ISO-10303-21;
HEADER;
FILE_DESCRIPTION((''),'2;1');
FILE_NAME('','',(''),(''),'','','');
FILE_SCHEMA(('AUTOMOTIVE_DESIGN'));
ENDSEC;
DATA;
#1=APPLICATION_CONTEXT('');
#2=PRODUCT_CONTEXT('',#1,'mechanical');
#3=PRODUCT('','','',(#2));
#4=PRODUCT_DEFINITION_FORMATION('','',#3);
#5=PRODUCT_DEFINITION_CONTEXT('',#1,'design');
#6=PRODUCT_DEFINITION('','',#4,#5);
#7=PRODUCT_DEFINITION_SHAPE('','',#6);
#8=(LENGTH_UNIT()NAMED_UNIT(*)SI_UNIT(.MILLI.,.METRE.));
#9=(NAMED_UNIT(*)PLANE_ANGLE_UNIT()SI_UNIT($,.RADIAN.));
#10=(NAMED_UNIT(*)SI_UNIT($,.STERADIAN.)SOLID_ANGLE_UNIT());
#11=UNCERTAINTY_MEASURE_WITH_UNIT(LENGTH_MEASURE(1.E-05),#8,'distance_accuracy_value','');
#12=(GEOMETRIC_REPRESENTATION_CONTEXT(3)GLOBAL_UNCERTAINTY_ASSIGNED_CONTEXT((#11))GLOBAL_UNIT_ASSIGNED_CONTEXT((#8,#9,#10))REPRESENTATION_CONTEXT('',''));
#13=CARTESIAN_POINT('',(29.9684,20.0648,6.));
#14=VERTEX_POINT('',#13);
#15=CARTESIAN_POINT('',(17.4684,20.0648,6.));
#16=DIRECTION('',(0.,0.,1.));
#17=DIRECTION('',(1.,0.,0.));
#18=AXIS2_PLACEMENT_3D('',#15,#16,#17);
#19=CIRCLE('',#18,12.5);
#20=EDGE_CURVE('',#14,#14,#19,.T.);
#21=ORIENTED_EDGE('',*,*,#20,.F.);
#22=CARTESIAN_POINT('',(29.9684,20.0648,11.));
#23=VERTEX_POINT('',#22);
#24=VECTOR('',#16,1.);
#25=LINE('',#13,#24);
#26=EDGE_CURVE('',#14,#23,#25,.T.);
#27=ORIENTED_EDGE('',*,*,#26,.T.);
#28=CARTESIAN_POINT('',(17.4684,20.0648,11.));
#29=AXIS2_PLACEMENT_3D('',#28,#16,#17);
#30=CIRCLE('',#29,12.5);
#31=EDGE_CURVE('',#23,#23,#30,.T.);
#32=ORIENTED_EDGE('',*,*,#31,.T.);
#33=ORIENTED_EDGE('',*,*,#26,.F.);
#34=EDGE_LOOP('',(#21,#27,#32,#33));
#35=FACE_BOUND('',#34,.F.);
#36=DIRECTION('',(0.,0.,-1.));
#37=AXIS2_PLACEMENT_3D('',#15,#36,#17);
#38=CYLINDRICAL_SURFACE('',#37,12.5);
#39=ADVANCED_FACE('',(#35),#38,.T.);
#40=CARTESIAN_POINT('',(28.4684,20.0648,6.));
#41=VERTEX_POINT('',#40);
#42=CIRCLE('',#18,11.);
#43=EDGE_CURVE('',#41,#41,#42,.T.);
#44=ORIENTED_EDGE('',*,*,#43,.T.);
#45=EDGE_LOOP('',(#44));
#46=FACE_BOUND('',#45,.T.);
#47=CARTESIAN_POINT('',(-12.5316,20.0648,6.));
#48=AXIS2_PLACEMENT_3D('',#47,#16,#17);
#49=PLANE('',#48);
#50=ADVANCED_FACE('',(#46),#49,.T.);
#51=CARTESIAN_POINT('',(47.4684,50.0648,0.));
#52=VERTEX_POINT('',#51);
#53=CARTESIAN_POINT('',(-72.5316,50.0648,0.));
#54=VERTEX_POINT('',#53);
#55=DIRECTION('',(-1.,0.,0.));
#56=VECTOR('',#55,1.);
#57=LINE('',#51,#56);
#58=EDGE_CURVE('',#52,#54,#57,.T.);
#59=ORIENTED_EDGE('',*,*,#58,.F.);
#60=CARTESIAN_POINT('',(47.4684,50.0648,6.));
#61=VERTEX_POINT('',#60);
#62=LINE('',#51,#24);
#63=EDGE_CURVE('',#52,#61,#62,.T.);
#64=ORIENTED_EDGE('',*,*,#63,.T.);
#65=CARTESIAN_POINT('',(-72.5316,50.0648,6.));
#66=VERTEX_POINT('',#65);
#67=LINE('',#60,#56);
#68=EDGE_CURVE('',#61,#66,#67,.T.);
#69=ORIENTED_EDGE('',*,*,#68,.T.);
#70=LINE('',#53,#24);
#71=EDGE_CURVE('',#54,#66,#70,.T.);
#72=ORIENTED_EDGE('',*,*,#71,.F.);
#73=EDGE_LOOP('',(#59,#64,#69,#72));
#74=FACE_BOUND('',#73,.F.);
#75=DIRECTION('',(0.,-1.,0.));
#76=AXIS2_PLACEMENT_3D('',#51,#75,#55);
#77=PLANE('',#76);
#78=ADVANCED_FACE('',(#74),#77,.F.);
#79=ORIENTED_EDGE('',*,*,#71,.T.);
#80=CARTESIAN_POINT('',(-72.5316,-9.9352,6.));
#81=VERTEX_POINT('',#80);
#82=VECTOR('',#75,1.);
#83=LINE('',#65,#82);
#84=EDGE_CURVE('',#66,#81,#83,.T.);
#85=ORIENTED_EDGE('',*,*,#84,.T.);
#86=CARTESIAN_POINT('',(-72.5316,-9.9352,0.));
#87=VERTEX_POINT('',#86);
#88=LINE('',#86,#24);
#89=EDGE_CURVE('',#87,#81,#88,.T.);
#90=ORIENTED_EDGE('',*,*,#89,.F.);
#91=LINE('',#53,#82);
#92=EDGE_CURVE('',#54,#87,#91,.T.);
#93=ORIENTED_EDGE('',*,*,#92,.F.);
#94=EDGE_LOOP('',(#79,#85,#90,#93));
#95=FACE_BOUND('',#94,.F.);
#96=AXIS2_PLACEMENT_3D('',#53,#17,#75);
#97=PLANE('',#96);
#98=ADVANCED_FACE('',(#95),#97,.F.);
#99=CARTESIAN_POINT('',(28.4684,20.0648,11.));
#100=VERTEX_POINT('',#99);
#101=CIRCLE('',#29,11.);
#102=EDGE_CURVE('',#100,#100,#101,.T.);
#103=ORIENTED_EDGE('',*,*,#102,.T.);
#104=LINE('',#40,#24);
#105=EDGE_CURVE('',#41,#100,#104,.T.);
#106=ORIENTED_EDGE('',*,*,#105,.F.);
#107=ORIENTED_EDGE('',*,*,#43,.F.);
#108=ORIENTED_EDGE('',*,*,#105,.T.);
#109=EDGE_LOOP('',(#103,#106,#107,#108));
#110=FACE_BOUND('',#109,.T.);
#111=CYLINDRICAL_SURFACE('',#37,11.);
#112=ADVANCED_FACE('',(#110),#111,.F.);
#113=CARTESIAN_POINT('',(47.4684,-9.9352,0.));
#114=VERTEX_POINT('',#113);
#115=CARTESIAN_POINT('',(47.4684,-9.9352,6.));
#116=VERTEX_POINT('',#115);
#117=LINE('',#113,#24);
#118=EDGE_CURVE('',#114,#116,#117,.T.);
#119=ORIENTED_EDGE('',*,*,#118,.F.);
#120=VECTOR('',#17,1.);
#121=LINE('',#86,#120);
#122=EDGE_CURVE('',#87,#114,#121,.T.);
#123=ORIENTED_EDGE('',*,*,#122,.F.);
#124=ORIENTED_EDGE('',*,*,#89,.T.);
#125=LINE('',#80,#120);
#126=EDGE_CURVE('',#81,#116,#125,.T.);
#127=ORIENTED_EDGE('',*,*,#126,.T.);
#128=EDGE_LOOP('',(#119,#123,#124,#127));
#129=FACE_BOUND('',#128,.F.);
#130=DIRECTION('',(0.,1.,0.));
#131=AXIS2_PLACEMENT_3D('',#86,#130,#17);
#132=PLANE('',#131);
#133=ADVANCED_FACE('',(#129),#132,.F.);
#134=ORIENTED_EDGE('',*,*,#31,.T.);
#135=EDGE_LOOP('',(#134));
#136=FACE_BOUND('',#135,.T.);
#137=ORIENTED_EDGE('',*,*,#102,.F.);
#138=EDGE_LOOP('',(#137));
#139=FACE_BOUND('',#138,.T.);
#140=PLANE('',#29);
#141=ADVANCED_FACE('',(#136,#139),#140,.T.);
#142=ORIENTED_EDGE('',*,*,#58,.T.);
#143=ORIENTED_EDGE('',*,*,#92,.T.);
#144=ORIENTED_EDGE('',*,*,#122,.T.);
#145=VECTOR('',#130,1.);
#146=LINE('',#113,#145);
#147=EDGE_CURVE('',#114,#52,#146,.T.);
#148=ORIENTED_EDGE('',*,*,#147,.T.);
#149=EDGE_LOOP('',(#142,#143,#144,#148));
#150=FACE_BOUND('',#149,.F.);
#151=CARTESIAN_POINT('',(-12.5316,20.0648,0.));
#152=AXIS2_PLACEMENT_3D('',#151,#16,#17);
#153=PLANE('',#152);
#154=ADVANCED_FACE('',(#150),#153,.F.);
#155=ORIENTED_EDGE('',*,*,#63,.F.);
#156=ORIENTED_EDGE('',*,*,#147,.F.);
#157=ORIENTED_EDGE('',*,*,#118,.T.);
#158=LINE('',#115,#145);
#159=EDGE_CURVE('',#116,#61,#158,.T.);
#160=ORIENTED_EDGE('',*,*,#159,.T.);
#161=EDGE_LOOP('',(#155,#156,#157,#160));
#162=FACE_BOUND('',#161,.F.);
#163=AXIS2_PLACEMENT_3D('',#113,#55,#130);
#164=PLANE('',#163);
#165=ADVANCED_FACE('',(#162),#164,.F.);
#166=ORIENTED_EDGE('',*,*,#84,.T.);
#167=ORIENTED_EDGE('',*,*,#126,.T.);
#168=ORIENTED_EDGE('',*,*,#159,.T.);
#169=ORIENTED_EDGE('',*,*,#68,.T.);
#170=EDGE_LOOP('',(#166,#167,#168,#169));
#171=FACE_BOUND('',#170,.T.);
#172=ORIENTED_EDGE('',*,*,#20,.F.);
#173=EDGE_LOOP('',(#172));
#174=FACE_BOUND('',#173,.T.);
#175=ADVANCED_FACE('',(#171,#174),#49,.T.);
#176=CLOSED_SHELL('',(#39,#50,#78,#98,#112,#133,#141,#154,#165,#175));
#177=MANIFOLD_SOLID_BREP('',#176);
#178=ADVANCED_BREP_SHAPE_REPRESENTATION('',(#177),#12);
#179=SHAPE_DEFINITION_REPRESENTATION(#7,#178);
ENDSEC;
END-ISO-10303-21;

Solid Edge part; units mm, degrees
sketch "Sketch1" plane through (0, 0, 0) normal (0, 0, 1) x (1, 0, 0)
  line L0 (-72.5316, -9.9352) -> (47.4684, -9.9352)
  line L1 (47.4684, -9.9352) -> (47.4684, 50.0648)
  line L2 (47.4684, 50.0648) -> (-72.5316, 50.0648)
  line L3 (-72.5316, 50.0648) -> (-72.5316, -9.9352)
  dimension "D1" = 120
  dimension "D2" = 60
extrude "Protrusion1" add sketch "Sketch1" along normal blind 6
sketch "Sketch2" plane through (-52.5316, 30.0648, 6) normal (0, 0, 1) x (1, 0, 0)
  circle A0 centre (70, -10) radius 12.5
  circle A1 centre (70, -10) radius 11
  dimension "D1" = 22
  dimension "D2" = 25
  dimension "D3" = 30
  dimension "D4" = 30
extrude "ExtrudedProtrusion_2" add sketch "Sketch2" along normal blind 5
